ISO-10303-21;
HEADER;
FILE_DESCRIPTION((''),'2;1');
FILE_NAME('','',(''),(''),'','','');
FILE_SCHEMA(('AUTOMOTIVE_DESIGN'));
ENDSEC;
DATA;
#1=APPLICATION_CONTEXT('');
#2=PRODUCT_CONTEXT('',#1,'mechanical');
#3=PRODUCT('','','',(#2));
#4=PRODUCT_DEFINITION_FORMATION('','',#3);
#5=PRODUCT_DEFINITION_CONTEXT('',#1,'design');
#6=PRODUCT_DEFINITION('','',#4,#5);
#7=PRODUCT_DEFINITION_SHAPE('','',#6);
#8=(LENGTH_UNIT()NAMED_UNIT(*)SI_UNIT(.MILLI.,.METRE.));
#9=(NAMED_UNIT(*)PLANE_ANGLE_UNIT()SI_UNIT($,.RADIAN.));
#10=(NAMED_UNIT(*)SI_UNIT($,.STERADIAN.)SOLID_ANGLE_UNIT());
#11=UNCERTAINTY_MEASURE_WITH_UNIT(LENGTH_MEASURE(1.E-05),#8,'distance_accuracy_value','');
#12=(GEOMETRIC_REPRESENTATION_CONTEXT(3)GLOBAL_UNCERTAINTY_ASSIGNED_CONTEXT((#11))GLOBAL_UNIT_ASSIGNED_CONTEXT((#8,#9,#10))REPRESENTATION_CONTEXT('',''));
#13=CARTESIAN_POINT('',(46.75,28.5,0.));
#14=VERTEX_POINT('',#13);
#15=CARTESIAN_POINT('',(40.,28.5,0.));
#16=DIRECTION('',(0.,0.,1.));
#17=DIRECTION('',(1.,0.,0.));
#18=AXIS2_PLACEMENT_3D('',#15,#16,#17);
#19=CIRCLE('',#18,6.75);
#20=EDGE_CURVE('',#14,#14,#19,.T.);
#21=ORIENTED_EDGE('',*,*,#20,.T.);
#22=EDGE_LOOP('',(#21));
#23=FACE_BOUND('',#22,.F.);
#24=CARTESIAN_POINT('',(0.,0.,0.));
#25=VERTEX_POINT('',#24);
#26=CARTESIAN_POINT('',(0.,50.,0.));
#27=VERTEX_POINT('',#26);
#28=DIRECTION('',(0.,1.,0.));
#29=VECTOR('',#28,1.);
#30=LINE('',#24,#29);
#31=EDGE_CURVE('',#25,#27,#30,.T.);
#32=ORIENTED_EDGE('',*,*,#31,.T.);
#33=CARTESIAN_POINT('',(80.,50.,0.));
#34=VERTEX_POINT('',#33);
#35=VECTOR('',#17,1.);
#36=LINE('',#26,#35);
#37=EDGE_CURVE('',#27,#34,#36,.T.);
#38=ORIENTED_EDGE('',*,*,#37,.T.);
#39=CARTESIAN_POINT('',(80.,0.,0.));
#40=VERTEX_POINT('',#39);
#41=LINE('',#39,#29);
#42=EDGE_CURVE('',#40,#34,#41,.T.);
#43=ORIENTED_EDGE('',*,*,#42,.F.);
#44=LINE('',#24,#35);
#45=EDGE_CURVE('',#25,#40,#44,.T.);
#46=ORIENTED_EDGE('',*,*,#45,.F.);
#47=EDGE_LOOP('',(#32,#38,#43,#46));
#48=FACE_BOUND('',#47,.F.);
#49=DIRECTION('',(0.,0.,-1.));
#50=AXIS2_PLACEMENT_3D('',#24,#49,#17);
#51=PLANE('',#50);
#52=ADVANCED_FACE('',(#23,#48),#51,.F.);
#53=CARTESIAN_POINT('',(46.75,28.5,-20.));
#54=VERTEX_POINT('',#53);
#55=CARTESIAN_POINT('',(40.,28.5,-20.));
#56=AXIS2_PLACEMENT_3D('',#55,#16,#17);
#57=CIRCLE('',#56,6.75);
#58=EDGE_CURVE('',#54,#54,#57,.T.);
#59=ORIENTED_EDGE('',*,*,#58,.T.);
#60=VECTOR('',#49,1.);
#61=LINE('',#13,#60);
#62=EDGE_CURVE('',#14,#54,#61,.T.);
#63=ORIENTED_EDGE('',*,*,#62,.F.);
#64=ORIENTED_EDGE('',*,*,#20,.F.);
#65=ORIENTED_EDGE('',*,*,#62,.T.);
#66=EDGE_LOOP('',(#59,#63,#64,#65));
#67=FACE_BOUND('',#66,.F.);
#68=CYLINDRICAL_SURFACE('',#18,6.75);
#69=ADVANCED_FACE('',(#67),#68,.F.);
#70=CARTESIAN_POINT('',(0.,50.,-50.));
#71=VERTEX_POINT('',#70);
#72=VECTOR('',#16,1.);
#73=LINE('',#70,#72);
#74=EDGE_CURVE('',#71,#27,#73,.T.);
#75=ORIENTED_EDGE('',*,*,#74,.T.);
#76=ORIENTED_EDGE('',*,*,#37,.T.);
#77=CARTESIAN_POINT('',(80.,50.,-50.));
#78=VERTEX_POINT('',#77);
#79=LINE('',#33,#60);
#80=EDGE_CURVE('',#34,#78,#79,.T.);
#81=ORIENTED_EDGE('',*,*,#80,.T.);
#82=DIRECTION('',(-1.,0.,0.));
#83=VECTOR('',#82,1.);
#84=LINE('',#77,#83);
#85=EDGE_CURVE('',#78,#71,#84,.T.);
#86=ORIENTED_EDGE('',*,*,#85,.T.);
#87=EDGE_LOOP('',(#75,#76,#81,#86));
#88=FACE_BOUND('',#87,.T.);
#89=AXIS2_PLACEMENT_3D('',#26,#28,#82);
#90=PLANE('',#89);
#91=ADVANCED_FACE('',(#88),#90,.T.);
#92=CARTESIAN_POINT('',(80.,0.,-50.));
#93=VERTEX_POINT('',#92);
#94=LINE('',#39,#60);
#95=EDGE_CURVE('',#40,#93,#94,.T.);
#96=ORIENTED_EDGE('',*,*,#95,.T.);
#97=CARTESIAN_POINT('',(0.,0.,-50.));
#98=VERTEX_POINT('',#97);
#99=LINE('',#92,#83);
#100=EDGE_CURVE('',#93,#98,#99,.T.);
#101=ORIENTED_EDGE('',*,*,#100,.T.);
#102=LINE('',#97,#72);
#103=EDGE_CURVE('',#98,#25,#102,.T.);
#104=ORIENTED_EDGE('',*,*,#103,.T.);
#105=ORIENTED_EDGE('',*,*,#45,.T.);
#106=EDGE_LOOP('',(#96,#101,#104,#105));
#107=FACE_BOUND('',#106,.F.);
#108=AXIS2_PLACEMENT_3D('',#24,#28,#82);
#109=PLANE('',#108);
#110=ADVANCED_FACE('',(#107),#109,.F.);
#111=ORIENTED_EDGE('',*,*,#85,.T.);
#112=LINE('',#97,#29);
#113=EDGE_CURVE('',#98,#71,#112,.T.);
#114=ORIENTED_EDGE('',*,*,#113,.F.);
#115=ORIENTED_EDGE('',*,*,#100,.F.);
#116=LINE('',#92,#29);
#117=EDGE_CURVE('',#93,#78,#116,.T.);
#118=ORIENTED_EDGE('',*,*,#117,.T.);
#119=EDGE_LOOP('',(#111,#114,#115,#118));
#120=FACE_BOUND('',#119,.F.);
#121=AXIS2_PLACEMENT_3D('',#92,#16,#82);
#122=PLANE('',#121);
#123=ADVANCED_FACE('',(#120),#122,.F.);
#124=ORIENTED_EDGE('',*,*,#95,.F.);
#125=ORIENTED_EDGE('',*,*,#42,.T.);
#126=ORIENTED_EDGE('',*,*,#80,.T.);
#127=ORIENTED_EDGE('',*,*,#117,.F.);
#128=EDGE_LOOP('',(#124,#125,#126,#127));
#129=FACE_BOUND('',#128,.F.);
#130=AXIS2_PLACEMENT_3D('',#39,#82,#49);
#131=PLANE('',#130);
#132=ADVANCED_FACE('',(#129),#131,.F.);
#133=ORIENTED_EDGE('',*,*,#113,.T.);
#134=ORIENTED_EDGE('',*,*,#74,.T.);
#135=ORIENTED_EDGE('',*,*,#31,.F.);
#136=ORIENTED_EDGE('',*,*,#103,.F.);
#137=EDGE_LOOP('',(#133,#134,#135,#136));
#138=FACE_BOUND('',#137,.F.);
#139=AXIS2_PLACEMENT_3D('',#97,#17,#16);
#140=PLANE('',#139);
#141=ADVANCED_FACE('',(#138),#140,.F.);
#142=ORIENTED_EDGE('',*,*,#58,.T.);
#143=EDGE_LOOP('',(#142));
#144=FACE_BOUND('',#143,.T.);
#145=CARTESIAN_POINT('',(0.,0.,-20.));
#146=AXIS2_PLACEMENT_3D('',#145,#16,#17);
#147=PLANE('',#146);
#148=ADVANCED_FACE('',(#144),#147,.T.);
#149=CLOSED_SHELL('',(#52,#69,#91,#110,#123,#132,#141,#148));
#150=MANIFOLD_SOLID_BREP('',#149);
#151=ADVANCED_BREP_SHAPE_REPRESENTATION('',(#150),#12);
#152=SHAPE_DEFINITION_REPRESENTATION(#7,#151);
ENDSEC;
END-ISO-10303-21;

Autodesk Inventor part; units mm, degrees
ref_plane "YZ Plane" through (0, 0, 0) normal (1, 0, 0) x (0, 1, 0)
ref_plane "XZ Plane" through (0, 0, 0) normal (0, 1, 0) x (-1, 0, 0)
ref_plane "XY Plane" through (0, 0, 0) normal (0, 0, 1) x (1, 0, 0)
sketch "Boceto1" plane through (0, 0, 0) normal (0, 1, 0) x (-1, 0, 0)
  line L0 (0, 0) -> (-80, 0)
  line L1 (-80, 0) -> (-80, -50)
  line L2 (-80, -50) -> (0, -50)
  line L3 (0, -50) -> (0, 0)
  dimension "d0" = 80
  dimension "d1" = 50
extrude "Extrusión1" add sketch "Boceto1" along normal blind 50
sketch "Boceto2" plane through (0, 0, 0) normal (0, 0, 1) x (1, 0, 0)
  circle A0 centre (40, 28.5) radius 6.75
  point P0 (0, 0)
  dimension "d4" = 13.5
extrude "Extrusión2" cut sketch "Boceto2" against normal blind 20
properties part number "M_taladro"
